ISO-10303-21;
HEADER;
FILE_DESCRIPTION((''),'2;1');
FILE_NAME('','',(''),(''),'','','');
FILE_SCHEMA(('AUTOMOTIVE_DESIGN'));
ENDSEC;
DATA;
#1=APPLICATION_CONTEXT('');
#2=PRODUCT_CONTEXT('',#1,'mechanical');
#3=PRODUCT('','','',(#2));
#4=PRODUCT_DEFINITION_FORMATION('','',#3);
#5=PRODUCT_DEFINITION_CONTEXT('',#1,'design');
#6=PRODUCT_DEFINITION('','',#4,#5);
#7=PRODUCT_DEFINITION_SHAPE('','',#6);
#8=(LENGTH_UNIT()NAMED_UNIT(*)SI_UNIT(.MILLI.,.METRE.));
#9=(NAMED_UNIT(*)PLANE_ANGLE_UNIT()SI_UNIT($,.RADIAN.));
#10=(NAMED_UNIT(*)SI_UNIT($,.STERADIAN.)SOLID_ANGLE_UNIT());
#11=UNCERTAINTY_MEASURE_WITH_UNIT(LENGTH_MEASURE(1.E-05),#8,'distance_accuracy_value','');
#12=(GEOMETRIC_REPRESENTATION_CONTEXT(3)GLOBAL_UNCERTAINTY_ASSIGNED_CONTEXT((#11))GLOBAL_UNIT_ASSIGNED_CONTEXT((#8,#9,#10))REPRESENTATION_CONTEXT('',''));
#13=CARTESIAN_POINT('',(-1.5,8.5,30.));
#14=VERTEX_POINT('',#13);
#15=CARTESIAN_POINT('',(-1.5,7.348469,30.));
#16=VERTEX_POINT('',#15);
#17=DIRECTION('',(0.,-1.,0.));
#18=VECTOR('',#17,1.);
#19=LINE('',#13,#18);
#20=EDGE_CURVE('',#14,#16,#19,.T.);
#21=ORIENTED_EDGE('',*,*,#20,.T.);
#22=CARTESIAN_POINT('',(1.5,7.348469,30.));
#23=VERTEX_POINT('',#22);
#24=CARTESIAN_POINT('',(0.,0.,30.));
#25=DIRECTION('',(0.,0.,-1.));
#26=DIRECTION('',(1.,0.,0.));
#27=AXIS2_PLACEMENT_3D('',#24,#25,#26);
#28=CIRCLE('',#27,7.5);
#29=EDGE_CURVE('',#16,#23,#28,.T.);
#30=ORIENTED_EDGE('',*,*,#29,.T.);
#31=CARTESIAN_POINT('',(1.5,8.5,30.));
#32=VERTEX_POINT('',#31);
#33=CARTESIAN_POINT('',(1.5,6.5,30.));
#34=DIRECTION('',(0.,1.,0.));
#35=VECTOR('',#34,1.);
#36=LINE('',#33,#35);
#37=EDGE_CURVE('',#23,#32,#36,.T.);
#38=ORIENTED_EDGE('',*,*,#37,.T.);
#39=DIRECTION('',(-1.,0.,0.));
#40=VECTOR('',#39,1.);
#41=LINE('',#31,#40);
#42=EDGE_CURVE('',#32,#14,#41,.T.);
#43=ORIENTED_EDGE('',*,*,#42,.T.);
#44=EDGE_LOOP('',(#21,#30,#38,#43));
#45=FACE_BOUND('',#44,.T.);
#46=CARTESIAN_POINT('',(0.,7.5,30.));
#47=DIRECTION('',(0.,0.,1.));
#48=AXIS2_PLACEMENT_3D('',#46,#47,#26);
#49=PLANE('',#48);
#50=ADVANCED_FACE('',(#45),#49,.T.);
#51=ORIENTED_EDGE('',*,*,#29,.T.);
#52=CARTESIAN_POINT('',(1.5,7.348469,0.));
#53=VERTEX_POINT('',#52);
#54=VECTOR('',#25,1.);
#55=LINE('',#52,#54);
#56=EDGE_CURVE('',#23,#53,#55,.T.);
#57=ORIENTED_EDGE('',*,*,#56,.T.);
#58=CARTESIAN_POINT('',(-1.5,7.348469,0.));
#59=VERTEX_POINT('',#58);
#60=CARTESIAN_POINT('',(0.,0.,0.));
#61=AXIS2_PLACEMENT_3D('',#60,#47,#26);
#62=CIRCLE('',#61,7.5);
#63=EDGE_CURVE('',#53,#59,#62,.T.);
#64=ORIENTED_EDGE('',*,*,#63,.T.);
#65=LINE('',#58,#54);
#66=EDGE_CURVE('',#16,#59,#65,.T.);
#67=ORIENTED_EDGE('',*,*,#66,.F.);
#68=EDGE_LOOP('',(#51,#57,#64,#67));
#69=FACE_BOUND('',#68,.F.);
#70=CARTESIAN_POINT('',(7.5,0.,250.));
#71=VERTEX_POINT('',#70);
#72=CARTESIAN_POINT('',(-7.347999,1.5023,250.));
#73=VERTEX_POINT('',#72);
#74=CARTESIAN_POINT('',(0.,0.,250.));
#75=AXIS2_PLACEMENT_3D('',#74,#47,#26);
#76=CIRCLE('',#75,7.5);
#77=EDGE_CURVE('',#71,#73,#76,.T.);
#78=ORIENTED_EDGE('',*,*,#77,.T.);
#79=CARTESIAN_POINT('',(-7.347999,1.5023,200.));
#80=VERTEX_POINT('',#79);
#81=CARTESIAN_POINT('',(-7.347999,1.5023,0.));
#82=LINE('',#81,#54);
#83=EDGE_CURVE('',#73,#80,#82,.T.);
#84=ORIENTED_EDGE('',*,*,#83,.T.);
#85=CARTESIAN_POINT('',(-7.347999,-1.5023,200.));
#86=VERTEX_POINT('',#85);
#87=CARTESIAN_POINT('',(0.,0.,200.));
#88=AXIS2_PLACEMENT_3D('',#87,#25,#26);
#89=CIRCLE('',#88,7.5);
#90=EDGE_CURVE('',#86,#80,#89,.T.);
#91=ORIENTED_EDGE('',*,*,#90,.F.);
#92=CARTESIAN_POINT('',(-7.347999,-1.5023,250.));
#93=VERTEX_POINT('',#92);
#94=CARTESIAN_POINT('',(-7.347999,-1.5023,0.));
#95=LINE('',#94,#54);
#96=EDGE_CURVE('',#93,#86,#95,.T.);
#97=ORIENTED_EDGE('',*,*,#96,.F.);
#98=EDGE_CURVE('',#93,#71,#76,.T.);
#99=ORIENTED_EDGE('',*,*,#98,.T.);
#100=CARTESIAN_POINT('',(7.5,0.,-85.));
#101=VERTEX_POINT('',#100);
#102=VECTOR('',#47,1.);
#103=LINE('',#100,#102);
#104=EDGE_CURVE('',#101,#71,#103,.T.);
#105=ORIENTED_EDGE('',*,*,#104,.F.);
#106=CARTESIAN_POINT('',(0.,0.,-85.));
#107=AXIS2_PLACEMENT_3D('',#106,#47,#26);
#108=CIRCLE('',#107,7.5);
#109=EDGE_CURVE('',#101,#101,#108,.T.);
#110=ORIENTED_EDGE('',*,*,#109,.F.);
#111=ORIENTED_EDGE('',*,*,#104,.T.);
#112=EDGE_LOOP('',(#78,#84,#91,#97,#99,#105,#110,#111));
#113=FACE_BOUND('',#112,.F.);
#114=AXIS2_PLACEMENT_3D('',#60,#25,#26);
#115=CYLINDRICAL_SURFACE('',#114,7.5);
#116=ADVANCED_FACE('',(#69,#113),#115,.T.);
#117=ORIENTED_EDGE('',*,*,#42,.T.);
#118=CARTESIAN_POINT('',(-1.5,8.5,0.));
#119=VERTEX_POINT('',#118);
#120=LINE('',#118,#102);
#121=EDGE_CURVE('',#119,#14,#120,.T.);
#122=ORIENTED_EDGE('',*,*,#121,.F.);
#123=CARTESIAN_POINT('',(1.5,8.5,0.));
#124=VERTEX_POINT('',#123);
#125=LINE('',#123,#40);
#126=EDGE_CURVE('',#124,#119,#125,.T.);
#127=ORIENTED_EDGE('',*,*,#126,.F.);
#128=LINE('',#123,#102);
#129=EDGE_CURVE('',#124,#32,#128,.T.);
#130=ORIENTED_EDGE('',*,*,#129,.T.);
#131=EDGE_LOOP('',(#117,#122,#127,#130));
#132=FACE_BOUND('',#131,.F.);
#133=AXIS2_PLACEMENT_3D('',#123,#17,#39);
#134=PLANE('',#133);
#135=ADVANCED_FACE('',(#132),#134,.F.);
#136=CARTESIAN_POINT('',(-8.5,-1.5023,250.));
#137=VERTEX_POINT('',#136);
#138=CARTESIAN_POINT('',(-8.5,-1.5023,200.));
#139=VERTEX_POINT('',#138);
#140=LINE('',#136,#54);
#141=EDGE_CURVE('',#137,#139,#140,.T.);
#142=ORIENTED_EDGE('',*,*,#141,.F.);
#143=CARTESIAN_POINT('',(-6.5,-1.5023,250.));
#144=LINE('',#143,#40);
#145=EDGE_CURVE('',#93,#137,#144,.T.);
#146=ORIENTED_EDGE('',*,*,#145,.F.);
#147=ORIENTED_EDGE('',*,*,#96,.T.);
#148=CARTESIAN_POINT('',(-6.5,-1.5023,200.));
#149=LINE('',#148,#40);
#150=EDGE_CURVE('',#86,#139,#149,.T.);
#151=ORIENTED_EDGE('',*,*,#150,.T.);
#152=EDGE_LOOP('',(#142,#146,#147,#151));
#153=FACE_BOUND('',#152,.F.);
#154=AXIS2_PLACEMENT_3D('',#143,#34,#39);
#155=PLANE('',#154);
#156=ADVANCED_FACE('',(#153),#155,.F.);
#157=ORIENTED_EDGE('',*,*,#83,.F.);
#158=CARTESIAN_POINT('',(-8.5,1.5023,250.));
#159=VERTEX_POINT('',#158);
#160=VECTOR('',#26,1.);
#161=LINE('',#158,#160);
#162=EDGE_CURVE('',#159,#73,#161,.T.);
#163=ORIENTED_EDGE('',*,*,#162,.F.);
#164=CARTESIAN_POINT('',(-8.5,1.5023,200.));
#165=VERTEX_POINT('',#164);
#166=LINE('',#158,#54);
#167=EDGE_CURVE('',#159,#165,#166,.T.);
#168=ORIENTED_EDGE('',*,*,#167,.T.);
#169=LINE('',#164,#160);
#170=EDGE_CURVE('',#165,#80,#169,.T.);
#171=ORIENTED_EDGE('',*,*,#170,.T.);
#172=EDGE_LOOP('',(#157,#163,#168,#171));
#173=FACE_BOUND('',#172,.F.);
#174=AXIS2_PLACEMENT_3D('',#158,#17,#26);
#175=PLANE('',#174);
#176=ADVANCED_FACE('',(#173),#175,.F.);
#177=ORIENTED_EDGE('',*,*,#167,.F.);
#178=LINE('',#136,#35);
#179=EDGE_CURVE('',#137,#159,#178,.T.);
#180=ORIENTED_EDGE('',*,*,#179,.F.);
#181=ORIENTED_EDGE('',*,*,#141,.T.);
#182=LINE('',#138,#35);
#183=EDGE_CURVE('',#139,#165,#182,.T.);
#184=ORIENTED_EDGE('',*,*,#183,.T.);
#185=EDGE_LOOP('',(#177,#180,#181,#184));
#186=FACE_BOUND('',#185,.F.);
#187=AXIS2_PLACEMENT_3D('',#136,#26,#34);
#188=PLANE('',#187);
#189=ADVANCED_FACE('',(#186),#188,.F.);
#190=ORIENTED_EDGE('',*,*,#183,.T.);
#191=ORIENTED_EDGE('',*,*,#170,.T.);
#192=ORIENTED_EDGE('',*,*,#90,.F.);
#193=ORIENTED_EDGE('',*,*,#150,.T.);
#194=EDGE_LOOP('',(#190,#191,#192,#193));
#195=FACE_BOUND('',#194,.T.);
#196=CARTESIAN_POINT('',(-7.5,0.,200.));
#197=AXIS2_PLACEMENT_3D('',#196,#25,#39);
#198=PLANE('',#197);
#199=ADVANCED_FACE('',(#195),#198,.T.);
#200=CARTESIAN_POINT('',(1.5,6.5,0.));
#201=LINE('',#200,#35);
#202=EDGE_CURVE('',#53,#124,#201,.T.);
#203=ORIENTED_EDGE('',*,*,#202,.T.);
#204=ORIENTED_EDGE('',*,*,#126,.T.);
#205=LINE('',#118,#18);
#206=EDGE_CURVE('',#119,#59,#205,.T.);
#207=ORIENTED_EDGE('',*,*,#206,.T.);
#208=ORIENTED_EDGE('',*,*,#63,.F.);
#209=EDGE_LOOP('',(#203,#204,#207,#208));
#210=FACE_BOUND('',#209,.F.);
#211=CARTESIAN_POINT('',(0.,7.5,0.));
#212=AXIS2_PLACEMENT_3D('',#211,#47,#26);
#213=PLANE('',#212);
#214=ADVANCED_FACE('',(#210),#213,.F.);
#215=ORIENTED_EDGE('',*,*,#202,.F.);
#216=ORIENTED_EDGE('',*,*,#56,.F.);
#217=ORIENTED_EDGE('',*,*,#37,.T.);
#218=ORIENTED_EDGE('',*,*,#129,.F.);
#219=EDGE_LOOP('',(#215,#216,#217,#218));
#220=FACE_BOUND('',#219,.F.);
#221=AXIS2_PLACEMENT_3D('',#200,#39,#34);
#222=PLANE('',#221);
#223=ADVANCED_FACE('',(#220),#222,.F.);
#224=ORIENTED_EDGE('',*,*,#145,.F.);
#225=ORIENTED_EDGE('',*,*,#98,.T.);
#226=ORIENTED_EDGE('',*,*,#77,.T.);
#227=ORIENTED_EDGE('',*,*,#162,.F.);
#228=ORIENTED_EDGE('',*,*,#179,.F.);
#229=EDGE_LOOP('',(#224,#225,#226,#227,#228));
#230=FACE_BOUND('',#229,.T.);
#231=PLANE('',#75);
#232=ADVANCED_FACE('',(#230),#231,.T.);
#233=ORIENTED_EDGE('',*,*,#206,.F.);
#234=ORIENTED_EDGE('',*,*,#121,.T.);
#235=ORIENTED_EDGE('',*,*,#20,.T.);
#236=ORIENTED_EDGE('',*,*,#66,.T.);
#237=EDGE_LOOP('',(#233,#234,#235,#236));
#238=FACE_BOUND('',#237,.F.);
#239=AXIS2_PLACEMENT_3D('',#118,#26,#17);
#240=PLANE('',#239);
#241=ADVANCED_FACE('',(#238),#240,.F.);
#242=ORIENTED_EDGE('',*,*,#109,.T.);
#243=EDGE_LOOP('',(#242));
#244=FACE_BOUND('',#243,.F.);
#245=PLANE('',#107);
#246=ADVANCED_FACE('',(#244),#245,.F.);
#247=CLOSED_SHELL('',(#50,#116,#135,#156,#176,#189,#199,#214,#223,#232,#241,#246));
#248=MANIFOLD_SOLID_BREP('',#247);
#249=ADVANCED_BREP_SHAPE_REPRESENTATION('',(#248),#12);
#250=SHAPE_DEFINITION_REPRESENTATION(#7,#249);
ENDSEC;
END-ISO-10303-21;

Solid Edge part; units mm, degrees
sketch "Sketch1" plane through (0, 0, 0) normal (0, 0, 1) x (1, 0, 0)
  circle A0 centre (0, 0) radius 7.5
  dimension "D1" = 15
extrude "ExtrudedProtrusion_1" add sketch "Sketch1" along normal blind 250 and the other way blind 85
sketch "Sketch2" plane through (0, 0, 0) normal (0, 0, 1) x (1, 0, 0)
  line L0 (-1.5, 6.5) -> (1.5, 6.5)
  line L1 (1.5, 6.5) -> (1.5, 8.5)
  line L2 (1.5, 8.5) -> (-1.5, 8.5)
  line L3 (-1.5, 8.5) -> (-1.5, 6.5)
  dimension "D1" = 6.5
  dimension "D2" = 3
extrude "ExtrudedProtrusion_2" add sketch "Sketch2" along normal blind 30
sketch "Sketch3" plane through (0, 0, 250) normal (0, 0, 1) x (0, 1, 0)
  line L0 (1.5023, 6.5) -> (-1.5023, 6.5)
  line L1 (-1.5023, 6.5) -> (-1.5023, 8.5)
  line L2 (-1.5023, 8.5) -> (1.5023, 8.5)
  line L3 (1.5023, 8.5) -> (1.5023, 6.5)
  dimension "D1" = 3.0045
  dimension "D2" = 2
  dimension "D3" = 6.5
extrude "ExtrudedProtrusion_3" add sketch "Sketch3" against normal blind 50
properties material "Aluminum, 1060"
